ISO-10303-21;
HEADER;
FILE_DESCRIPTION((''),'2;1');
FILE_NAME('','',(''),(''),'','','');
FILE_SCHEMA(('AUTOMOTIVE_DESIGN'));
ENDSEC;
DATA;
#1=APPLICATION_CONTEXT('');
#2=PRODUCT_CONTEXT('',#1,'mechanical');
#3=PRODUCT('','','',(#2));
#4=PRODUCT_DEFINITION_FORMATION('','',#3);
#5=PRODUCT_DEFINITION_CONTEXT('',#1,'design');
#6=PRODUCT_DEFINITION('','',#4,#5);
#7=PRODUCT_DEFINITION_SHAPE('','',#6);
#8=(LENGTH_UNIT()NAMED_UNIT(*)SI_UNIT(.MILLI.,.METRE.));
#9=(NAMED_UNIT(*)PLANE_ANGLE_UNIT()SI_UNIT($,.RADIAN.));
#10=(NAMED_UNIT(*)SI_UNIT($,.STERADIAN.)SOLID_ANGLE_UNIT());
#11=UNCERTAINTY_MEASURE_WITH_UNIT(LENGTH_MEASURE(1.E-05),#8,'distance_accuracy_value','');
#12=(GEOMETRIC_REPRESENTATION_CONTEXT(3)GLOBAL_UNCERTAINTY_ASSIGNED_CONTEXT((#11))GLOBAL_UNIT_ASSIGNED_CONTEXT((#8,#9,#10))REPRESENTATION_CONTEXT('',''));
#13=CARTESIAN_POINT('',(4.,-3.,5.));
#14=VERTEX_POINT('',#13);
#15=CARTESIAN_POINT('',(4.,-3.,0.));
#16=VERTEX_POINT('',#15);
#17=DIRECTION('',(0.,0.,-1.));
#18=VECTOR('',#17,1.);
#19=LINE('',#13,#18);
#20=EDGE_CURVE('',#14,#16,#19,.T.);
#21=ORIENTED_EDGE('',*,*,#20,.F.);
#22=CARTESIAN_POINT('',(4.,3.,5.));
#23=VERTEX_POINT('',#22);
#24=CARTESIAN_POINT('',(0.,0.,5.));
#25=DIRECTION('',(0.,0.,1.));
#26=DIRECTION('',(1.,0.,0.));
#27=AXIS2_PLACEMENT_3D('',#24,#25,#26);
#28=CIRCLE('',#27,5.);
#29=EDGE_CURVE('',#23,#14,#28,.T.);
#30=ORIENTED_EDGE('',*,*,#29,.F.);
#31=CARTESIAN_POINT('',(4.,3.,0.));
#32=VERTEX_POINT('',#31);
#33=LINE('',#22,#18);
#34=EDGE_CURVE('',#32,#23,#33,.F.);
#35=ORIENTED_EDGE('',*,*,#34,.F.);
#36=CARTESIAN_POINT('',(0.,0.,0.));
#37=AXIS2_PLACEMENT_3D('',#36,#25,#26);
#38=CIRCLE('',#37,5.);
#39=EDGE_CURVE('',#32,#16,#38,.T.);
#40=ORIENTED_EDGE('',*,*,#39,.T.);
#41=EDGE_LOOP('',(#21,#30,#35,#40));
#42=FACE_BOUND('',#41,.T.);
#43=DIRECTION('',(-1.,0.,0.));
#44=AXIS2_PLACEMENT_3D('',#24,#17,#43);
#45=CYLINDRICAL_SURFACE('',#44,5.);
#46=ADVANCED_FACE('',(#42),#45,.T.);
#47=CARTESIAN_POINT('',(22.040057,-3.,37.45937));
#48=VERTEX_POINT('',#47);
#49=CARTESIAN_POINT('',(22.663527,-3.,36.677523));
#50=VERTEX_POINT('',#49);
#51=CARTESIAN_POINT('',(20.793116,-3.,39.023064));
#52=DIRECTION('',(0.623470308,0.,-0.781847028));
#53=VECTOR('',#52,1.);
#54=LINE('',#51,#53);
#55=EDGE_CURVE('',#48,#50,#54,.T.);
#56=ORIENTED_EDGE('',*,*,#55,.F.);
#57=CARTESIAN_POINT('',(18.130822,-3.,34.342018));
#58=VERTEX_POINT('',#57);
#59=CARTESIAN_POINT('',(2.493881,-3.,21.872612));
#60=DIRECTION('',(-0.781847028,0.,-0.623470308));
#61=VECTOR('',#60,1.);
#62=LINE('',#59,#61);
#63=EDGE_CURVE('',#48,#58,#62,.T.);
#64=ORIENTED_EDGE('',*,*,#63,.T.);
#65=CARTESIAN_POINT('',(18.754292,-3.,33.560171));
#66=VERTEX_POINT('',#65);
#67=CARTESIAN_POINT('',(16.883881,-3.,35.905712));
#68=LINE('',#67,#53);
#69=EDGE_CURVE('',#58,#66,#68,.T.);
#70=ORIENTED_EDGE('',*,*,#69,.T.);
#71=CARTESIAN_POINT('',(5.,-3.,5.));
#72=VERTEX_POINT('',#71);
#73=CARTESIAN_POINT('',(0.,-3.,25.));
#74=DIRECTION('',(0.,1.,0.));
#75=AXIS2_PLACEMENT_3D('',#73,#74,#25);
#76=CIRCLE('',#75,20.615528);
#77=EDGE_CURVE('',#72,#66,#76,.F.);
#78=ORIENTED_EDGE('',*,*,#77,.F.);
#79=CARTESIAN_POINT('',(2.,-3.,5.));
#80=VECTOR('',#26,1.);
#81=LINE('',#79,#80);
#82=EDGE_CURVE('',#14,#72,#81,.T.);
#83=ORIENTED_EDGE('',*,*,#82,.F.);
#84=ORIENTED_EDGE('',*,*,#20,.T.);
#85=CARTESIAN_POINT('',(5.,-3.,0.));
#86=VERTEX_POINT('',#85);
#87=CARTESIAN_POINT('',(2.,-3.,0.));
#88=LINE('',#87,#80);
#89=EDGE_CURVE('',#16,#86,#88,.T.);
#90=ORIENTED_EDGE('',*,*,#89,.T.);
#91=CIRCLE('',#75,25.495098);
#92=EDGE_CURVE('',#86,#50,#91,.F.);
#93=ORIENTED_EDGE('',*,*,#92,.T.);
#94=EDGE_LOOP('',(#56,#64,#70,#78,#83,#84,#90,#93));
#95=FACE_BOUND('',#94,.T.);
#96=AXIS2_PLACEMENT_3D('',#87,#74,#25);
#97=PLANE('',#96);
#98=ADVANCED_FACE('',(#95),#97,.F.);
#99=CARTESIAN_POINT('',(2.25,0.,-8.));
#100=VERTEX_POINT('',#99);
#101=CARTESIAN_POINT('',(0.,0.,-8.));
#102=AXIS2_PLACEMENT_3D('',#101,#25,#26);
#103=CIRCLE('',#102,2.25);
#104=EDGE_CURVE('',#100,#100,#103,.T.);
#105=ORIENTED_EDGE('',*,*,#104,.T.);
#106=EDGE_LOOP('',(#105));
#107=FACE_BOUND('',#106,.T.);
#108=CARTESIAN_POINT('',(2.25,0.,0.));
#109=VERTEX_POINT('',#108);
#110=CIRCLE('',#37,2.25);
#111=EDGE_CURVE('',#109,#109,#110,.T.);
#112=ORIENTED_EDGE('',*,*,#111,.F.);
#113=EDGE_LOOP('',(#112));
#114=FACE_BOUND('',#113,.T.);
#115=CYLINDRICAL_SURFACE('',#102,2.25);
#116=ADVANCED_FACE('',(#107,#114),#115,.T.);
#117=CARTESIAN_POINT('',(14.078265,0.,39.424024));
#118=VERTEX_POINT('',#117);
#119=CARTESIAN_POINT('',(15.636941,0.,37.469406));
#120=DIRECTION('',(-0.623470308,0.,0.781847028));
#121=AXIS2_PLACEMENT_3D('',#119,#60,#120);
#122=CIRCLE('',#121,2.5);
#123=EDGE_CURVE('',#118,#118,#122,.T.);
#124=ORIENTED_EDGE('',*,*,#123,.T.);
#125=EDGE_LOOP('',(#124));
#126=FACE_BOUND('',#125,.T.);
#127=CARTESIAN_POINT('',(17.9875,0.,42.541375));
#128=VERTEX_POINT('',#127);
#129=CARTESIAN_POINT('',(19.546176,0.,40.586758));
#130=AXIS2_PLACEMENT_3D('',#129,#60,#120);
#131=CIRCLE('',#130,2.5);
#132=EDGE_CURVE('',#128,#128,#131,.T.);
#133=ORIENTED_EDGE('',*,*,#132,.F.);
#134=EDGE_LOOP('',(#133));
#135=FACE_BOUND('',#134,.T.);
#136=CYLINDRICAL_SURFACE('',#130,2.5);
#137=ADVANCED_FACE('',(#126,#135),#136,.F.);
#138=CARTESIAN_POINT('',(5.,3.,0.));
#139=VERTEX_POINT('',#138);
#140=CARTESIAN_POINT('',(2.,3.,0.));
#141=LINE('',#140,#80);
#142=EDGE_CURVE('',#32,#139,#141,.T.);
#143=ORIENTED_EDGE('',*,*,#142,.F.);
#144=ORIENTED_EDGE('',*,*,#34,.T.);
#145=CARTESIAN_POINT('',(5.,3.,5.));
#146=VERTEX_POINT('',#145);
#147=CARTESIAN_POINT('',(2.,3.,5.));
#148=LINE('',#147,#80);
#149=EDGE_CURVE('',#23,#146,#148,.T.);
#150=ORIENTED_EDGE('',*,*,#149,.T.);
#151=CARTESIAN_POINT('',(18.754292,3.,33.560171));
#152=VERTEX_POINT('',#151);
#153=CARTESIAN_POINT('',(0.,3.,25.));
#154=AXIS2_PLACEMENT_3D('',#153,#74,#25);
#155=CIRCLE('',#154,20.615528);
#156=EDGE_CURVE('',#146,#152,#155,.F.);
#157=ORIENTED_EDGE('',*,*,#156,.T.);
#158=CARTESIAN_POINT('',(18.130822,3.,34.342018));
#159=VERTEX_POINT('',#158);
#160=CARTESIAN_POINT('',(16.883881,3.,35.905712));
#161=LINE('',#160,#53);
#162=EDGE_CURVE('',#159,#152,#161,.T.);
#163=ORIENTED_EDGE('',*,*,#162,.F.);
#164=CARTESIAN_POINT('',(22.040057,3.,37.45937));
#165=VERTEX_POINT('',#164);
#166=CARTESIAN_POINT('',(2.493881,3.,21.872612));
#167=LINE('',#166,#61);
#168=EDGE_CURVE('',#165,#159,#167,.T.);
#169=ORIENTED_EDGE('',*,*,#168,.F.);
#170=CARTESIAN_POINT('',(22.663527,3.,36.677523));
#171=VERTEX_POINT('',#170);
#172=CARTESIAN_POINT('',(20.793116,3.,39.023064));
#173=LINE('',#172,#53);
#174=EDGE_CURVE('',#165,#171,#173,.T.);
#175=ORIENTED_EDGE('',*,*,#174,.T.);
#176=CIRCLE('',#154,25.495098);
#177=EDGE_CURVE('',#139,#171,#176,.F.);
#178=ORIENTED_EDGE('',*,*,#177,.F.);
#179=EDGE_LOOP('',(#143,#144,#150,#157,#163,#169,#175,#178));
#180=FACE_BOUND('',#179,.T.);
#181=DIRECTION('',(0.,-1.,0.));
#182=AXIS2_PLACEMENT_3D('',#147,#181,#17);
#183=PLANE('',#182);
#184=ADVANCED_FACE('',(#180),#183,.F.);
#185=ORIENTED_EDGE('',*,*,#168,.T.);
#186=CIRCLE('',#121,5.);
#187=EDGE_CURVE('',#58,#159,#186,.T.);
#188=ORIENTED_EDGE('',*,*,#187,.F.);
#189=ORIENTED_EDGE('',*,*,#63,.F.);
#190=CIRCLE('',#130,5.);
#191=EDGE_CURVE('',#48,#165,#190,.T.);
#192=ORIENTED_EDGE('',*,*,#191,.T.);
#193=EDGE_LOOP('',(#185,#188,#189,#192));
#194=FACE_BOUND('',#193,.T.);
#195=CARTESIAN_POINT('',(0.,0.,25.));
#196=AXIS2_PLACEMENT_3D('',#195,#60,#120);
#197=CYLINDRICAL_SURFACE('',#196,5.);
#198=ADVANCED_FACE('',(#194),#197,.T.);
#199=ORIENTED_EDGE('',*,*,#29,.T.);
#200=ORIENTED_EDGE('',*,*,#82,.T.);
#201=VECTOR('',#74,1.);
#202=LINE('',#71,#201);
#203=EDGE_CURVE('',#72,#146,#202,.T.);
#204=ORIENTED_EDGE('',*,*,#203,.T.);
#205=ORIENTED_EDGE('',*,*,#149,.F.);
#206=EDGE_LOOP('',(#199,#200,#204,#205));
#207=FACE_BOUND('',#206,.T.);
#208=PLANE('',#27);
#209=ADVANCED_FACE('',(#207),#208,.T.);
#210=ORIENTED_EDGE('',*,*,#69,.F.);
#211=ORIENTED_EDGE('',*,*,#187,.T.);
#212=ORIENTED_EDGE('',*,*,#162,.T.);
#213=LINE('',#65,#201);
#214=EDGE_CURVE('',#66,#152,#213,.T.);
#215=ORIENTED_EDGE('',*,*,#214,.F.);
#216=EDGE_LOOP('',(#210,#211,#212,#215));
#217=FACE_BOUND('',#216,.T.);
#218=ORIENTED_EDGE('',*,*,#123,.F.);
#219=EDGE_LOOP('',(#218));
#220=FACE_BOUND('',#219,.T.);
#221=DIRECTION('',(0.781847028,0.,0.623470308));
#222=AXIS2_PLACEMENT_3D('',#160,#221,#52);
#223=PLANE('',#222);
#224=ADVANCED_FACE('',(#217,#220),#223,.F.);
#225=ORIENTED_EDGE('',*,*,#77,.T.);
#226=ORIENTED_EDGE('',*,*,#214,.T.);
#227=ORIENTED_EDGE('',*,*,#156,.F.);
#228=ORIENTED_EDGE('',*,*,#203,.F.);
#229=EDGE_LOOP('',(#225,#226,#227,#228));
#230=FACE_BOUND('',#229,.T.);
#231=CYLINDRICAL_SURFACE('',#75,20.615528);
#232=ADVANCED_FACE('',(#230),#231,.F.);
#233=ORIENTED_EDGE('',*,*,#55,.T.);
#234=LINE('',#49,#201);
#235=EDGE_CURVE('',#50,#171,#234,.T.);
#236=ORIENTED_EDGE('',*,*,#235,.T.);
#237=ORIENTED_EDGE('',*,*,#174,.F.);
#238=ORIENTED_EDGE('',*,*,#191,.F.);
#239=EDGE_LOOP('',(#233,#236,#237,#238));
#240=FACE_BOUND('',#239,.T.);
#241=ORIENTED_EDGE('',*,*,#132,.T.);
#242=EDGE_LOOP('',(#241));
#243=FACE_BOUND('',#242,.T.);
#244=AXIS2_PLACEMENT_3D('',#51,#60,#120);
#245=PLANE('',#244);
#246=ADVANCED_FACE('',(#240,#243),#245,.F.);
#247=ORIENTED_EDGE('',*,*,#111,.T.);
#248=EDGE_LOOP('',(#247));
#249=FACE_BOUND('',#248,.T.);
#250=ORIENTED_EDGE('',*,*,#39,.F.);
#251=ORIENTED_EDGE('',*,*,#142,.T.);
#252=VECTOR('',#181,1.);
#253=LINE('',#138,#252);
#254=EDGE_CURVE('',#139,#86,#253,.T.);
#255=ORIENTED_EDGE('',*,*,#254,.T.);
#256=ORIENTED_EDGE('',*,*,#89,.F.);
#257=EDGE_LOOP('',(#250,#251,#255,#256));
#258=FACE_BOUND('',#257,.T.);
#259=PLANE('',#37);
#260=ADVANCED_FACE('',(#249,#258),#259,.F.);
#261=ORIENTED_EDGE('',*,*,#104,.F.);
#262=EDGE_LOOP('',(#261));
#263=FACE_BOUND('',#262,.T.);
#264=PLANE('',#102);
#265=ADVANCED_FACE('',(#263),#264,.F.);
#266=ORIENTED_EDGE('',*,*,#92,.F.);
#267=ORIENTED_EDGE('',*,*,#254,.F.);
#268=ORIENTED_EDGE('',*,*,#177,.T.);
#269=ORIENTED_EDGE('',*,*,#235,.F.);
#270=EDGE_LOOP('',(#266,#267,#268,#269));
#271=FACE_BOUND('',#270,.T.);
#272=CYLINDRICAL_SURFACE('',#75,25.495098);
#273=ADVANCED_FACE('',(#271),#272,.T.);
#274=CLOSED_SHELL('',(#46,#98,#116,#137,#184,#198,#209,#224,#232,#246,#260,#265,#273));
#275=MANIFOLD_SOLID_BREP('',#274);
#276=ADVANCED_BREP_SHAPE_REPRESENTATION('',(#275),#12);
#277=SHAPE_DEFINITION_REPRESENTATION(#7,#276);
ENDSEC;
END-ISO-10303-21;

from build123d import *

# Parameters (mm, degrees)
SKETCH_2_R           = 5
EXTRUDE_3_DEPTH      = 5
EXTRUDE_4_DEPTH      = 3
EXTRUDE_4_DEPTH_BACK = 3
SKETCH_4_W           = 5
SKETCH_4_H           = 6
EXTRUDE_5_DEPTH      = 3
SKETCH_5_W           = 5
SKETCH_5_H           = 6
EXTRUDE_6_DEPTH      = 3
SKETCH_6_R           = 2.5
CUT_EXTRUDE_1_DEPTH  = 5
EXTRUDE_START        = -5
SKETCH_7_R           = 2.25
EXTRUDE_7_DEPTH      = 8


with BuildPart() as part:
    # 草图2 → 凸台-拉伸3 (new body)
    with BuildSketch(Plane.XY):
        Circle(SKETCH_2_R)
    extrude(amount=EXTRUDE_3_DEPTH)



with BuildPart() as body_2:
    # 草图3 → 凸台-拉伸4 (new, two sides: drawn at the far end of the back side and taken through both)
    with BuildSketch(Plane(origin=(0, 0, 0), x_dir=(1, 0, 0), z_dir=(0, 1, 0)).offset(-EXTRUDE_4_DEPTH_BACK)):
        with BuildLine():
            ThreePointArc((5, 0), (22.970151286, -13.937805377), (22.663527237, -36.677522562))
            Line((22.663527237, -36.677522562), (18.754292098, -33.560171022))
            ThreePointArc((18.754292098, -33.560171022), (18.573837526, -16.055026018), (5, -5))
            Line((5, -5), (5, 0))
        make_face()
    extrude(amount=EXTRUDE_4_DEPTH + EXTRUDE_4_DEPTH_BACK)



with BuildPart() as body_3:
    # 草图3<3> → 旋转1 (revolve)
    with BuildSketch(Plane(origin=(0, 0, 0), x_dir=(1, 0, 0), z_dir=(0, 1, 0)), mode=Mode.PRIVATE) as revolve_1_sk:
        Polygon((22.663527237, -36.677522562), (18.754292098, -33.560171022), (15.636940557, -37.469406161), (19.546175697, -40.586757701), align=None)
    revolve(revolve_1_sk.sketch.rotate(Axis((0, 0, 25), (0.7818470278677169, 0, 0.6234703080455537)), 180), axis=Axis((0, 0, 25), (0.7818470278677169, 0, 0.6234703080455537)))


with BuildPart() as body_2_1:
    add(body_2.part)

    add(body_3.part)  # 凸台-拉伸5 merges body 3
    # 草图4 → 凸台-拉伸5 (add)
    with BuildSketch(Plane(origin=(-9.069108643, 0, 11.372884235), x_dir=(0.7818470278677175, 0, 0.6234703080455529), z_dir=(-0.6234703080455529, 0, 0.7818470278677175))):
        with Locations((38.086757701, 0)):
            Rectangle(SKETCH_4_W, SKETCH_4_H)
    extrude(amount=EXTRUDE_5_DEPTH)


with BuildPart() as part_1:
    add(part.part)

    add(body_2_1.part)  # 凸台-拉伸6 merges body 2
    # 草图5 → 凸台-拉伸6 (add)
    with BuildSketch(Plane.ZY.offset(-5)):
        with Locations((2.5, 0)):
            Rectangle(SKETCH_5_W, SKETCH_5_H)
    extrude(amount=EXTRUDE_6_DEPTH)

    # 草图6 → 切除-拉伸1 (cut)
    with BuildSketch(Plane(origin=(27.82340074, 0, 22.187286786), x_dir=(-0.6234703080455528, 0, 0.7818470278677175), z_dir=(-0.7818470278677175, 0, -0.6234703080455528))):
        with Locations((19.546175697, 0)):
            Circle(SKETCH_6_R)
    extrude(amount=-CUT_EXTRUDE_1_DEPTH, mode=Mode.SUBTRACT)

    # 草图7 → 凸台-拉伸7 (add)
    with BuildSketch(Plane.XY.offset(5).offset(EXTRUDE_START)):
        Circle(SKETCH_7_R)
    extrude(amount=-EXTRUDE_7_DEPTH)


solid = part_1.part
